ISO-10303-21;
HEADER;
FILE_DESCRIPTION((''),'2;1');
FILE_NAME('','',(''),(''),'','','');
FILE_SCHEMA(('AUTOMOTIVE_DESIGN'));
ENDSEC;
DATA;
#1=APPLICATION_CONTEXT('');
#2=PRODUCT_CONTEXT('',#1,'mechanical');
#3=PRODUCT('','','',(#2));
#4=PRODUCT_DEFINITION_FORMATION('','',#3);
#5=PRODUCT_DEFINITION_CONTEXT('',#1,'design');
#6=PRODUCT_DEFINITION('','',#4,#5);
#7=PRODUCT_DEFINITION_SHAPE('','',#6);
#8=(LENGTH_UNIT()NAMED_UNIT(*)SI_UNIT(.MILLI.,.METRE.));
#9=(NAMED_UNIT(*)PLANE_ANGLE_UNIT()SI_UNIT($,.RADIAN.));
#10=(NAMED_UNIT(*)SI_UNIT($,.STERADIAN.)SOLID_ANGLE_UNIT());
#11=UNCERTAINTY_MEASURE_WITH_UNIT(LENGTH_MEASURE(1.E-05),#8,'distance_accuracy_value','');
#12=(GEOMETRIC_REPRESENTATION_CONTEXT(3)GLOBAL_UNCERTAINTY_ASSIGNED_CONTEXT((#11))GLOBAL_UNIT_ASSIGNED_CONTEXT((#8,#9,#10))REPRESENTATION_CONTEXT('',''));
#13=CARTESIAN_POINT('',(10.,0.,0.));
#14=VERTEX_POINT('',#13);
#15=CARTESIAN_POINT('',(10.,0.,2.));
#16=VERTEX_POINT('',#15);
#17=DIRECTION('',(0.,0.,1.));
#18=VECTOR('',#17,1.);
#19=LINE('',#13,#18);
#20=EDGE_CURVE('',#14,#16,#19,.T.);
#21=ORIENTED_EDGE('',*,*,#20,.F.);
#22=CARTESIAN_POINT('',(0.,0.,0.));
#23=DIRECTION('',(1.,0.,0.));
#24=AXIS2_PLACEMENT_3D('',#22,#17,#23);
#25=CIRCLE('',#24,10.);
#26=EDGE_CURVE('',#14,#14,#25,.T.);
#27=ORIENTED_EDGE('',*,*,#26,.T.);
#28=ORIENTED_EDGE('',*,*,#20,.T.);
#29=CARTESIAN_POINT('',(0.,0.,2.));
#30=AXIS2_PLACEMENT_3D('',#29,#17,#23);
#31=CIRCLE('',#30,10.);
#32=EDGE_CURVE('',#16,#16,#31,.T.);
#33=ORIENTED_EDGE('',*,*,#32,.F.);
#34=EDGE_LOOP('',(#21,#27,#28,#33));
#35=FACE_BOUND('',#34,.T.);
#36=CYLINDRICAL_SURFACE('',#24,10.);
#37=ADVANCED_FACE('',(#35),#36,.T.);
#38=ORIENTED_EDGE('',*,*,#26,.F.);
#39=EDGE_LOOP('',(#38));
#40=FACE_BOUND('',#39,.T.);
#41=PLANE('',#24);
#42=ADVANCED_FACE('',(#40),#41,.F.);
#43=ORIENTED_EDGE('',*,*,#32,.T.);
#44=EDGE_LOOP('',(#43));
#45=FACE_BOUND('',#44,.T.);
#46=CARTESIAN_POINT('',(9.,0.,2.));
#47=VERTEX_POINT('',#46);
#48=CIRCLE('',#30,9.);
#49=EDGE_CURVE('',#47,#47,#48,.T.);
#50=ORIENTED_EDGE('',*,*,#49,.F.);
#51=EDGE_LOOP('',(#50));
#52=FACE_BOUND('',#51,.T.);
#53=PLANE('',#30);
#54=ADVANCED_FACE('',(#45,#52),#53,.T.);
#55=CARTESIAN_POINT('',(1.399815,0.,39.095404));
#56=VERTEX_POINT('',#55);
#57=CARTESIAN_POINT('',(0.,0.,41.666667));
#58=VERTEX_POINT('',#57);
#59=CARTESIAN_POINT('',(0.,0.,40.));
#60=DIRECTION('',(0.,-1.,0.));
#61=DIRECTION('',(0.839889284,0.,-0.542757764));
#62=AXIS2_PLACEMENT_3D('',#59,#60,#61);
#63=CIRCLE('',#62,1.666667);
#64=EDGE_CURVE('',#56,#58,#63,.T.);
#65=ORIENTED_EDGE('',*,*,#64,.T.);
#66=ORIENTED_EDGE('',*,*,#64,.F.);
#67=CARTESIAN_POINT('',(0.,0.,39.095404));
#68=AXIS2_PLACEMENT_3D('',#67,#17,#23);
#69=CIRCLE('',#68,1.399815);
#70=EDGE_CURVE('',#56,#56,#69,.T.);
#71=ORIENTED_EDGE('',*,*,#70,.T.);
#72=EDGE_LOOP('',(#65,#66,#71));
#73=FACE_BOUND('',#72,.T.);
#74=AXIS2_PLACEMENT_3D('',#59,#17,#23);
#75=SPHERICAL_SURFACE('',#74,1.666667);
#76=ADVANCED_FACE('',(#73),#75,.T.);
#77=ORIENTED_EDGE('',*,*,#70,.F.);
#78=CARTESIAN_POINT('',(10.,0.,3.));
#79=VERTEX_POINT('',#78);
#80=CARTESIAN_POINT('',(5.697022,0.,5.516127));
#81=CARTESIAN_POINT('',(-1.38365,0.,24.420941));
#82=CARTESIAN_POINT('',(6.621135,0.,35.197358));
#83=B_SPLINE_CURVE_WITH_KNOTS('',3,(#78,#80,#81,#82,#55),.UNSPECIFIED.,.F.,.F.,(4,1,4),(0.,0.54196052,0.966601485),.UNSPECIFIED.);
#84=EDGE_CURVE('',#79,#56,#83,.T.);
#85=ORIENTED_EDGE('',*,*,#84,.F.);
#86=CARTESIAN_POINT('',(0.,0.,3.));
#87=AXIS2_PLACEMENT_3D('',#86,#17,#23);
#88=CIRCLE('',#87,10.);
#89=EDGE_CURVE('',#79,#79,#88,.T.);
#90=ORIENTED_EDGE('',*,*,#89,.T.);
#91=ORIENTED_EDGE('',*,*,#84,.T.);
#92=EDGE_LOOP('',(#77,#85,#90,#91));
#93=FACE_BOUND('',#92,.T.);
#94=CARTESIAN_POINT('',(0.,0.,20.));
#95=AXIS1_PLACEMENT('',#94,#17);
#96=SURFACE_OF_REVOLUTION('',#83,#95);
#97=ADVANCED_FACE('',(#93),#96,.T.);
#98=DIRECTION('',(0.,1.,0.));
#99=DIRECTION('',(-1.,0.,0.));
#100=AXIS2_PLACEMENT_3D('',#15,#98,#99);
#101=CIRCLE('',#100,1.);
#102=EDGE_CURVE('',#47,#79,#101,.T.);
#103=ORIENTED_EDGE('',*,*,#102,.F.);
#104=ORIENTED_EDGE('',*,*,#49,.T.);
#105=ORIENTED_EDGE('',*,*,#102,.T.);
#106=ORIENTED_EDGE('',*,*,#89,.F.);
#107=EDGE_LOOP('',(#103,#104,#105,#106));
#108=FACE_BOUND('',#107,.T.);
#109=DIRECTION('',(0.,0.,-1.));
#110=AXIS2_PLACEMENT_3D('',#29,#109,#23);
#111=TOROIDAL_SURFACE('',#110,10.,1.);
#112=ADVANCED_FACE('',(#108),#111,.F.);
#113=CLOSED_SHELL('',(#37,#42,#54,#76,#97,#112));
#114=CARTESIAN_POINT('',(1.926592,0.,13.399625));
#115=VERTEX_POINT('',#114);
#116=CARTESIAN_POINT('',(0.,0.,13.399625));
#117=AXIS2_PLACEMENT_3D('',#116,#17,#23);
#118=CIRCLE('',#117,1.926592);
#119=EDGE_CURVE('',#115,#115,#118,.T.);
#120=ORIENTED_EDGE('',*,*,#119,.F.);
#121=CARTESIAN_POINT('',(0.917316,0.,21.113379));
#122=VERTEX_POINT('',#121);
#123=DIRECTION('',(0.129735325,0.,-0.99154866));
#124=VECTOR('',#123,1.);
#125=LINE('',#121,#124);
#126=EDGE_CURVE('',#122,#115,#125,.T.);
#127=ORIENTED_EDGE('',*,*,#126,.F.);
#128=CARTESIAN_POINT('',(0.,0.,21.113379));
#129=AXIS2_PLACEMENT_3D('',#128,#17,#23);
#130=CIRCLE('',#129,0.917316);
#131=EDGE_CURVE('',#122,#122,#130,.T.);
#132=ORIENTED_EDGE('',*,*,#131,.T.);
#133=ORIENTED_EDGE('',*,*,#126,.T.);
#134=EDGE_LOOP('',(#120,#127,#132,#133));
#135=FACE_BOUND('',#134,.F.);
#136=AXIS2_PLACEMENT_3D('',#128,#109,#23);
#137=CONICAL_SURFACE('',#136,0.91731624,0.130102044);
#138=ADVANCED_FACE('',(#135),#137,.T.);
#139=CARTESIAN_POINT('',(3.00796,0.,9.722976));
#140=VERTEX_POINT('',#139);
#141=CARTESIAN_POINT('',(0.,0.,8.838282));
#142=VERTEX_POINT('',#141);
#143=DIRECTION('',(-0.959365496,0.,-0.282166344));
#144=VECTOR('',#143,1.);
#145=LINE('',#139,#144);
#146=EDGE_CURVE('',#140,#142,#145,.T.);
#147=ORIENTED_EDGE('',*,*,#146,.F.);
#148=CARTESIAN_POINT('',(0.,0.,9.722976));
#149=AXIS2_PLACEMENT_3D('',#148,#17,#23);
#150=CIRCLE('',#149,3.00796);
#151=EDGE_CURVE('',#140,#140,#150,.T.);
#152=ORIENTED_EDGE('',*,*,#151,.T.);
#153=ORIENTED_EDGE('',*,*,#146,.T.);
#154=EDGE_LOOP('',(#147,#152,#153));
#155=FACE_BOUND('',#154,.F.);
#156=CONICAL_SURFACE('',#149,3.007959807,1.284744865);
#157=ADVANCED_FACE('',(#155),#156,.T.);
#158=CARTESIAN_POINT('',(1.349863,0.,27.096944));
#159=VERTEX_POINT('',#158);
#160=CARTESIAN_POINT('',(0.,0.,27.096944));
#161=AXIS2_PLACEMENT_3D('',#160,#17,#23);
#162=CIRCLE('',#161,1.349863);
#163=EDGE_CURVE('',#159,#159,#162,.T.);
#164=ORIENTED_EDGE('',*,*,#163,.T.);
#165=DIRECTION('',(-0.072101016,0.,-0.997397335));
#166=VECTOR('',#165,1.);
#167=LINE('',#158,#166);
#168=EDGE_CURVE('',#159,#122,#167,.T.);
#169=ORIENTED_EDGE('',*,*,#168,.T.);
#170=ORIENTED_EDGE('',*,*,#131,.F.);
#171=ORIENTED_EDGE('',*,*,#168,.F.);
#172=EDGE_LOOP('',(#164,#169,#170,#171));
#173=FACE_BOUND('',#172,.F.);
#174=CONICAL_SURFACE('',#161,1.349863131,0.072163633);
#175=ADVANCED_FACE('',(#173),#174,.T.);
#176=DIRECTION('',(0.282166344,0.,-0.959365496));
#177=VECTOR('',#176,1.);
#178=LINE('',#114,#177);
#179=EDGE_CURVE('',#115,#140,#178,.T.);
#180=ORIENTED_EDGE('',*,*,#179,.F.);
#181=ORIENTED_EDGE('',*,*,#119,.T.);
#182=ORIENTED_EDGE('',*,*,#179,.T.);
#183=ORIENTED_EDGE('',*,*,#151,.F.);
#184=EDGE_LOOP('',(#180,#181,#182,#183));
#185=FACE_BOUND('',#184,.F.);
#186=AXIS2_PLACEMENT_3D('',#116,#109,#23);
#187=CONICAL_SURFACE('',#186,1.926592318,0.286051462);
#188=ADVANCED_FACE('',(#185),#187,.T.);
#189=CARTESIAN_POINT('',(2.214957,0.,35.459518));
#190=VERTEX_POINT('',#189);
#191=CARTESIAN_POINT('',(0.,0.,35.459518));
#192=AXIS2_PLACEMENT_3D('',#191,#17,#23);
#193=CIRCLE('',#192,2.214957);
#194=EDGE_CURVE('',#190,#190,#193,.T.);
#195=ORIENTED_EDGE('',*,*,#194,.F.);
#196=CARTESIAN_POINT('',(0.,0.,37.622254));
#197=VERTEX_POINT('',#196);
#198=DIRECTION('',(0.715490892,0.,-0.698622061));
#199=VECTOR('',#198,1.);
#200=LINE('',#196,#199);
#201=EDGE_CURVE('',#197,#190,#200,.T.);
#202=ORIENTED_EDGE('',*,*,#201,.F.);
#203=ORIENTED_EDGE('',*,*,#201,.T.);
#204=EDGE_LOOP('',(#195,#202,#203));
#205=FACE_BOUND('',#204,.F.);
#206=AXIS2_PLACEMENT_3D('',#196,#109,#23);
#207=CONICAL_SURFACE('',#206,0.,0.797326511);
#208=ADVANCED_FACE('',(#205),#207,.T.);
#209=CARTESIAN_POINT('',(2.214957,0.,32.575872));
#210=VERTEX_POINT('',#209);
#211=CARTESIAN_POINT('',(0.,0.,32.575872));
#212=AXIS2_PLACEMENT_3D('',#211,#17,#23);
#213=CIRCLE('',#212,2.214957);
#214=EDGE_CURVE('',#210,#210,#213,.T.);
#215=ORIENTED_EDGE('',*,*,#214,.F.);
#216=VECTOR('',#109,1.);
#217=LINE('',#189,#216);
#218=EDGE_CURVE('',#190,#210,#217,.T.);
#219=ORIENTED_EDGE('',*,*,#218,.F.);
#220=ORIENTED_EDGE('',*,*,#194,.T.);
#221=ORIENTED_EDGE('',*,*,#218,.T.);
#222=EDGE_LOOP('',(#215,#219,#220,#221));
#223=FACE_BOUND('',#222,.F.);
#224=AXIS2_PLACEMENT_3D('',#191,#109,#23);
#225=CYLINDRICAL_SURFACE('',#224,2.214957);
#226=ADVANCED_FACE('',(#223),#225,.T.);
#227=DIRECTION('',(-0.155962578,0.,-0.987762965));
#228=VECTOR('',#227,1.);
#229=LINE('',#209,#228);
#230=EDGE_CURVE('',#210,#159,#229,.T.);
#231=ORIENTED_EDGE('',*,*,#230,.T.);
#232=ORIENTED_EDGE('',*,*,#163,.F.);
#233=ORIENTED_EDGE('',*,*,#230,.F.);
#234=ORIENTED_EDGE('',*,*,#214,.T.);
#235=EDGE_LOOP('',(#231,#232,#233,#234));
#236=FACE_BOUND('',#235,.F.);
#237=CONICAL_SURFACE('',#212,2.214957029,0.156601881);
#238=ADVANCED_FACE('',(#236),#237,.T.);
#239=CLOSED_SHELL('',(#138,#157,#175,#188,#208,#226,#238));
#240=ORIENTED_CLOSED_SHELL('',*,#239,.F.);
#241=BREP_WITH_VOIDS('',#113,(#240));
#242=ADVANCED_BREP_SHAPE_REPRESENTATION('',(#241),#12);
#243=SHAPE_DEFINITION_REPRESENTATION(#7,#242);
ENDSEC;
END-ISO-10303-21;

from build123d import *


with BuildPart() as f1:
    # F0 (on Front) → F1 (revolve)
    with BuildSketch(Plane.XZ):
        with BuildLine():
            Line((0, 8.8382818858), (0, 0))
            Line((0, 0), (10, 0))
            Line((10, 0), (10, 2))
            Line((10, 2), (9, 2))
            ThreePointArc((9, 2), (9.2928932188, 2.7071067812), (10, 3))
            add(Edge.make_bspline(
                [(10, 3), (5.6970222105, 5.5161274686), (-1.3836503017, 24.4209409655), (6.6211349569, 35.1973583272), (1.3998154741, 39.0954037275)],
                knots=[0, 0, 0, 0, 0.5419605204, 0.9666014846, 0.9666014846, 0.9666014846, 0.9666014846], degree=3))
            ThreePointArc((1.3998154741, 39.0954037275), (0.7969056794, 38.5361970365), (0, 38.3333333333))
            Line((0, 38.3333333333), (0, 37.6222543418))
            Line((0, 37.6222543418), (2.2149570286, 35.4595184326))
            Line((2.2149570286, 35.4595184326), (2.2149570286, 32.5758717954))
            Line((2.2149570286, 32.5758717954), (1.3498631306, 27.0969439298))
            Line((1.3498631306, 27.0969439298), (0.9173162398, 21.1133789271))
            Line((0.9173162398, 21.1133789271), (1.9265923183, 13.3996251971))
            Line((1.9265923183, 13.3996251971), (3.0079598073, 9.722976014))
            Line((3.0079598073, 9.722976014), (0, 8.8382818858))
        make_face()
        with BuildLine():
            Line((0, 41.6666666667), (0, 40))
            add(Edge.make_bspline(
                [(1.3998154741, 39.0954037275), (0.9891525046, 39.4019896211), (0.5244366288, 39.7034029043), (0, 40)],
                knots=[0.9666014846, 0.9666014846, 0.9666014846, 0.9666014846, 1, 1, 1, 1], degree=3))
            ThreePointArc((1.3998154741, 39.0954037275), (1.4638029635, 40.7969056794), (0, 41.6666666667))
        make_face()
        with BuildLine():
            Line((0, 40), (0, 38.3333333333))
            ThreePointArc((0, 38.3333333333), (0.7969056794, 38.5361970365), (1.3998154741, 39.0954037275))
            add(Edge.make_bspline(
                [(1.3998154741, 39.0954037275), (0.9891525046, 39.4019896211), (0.5244366288, 39.7034029043), (0, 40)],
                knots=[0.9666014846, 0.9666014846, 0.9666014846, 0.9666014846, 1, 1, 1, 1], degree=3))
        make_face()
    revolve(axis=Axis((0, 0, 20), (0, 0, 1)))


solid = f1.part
